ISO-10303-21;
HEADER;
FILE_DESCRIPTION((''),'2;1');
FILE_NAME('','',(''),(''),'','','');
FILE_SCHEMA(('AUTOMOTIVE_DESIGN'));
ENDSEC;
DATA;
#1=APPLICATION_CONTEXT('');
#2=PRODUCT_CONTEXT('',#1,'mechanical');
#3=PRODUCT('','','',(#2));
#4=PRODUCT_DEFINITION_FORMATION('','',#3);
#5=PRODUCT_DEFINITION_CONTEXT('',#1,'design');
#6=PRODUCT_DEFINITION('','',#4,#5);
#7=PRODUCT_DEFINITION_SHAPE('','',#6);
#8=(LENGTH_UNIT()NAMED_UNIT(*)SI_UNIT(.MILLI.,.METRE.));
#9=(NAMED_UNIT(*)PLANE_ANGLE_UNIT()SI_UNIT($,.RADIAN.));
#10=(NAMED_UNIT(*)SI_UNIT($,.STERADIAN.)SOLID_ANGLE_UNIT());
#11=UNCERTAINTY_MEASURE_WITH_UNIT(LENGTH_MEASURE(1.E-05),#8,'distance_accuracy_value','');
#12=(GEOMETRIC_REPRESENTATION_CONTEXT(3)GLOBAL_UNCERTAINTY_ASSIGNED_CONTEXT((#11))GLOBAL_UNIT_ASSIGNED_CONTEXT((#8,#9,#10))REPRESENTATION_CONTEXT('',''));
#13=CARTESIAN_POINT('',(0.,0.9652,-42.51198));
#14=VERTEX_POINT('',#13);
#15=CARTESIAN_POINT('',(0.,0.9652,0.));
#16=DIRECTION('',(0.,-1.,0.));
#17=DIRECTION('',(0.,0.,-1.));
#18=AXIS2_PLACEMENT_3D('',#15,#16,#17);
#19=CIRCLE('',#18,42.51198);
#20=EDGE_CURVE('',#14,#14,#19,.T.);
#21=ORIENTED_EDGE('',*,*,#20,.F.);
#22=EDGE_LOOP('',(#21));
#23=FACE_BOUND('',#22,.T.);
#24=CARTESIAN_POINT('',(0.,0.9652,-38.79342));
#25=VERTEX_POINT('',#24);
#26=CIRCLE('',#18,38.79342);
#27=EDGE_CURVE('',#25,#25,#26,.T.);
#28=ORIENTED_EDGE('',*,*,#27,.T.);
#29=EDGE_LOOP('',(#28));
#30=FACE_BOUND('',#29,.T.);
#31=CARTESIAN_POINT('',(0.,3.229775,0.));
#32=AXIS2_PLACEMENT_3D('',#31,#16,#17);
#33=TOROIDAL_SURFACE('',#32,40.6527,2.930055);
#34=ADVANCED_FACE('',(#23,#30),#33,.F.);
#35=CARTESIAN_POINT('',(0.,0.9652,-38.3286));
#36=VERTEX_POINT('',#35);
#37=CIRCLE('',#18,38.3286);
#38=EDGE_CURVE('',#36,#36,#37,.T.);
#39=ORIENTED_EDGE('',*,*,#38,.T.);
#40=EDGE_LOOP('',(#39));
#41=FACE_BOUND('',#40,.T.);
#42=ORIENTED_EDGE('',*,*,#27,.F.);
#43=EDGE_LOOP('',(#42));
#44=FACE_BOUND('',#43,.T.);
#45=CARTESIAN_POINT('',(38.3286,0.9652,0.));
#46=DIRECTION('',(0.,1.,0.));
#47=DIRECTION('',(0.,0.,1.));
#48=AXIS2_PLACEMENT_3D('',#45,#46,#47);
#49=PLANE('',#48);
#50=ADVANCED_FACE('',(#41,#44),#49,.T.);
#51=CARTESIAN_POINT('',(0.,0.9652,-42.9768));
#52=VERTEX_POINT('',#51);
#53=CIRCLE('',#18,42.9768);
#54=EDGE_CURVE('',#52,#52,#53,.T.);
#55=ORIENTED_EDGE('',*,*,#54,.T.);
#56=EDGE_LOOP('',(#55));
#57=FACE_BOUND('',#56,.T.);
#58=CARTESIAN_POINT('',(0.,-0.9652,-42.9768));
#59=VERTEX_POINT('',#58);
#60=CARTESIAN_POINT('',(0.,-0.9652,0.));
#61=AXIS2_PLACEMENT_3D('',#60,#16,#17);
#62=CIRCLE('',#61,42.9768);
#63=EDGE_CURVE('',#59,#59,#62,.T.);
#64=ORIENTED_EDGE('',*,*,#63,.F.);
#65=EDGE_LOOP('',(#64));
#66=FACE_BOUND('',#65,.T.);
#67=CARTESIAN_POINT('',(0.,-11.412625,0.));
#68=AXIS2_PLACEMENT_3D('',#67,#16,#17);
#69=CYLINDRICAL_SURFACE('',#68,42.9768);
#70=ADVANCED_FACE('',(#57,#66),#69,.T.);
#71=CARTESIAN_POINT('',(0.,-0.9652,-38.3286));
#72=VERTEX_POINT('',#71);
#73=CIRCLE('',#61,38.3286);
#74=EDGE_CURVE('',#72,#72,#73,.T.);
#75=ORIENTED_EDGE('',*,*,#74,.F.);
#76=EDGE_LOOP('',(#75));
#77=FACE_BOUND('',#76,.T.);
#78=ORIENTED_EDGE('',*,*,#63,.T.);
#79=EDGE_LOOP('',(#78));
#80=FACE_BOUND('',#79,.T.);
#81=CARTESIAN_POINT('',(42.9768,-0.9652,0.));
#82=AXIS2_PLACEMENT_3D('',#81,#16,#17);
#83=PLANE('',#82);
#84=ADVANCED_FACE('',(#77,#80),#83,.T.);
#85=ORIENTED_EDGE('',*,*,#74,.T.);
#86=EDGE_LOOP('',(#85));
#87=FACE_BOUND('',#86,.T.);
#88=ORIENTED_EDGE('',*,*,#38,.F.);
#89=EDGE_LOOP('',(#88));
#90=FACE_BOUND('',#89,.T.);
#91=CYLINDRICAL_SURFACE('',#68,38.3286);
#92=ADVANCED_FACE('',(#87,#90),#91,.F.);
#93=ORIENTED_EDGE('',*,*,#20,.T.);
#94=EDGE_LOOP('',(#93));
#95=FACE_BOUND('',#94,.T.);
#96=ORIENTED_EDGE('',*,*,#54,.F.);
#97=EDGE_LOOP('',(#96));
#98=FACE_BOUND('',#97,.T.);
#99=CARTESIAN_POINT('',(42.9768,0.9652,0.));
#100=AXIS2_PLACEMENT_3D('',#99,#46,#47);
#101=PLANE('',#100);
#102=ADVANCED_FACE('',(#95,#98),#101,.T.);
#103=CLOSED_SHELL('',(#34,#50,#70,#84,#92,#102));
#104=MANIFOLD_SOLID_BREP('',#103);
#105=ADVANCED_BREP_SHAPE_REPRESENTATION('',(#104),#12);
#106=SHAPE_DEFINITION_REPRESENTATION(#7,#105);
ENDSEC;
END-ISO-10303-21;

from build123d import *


with BuildPart() as part:
    # Sketch1 → Revolve2 (revolve)
    with BuildSketch(Plane.XY, mode=Mode.PRIVATE) as revolve2_sk:
        with BuildLine():
            Line((42.9768, -0.9652), (42.9768, 0.9652))
            Line((42.9768, 0.9652), (42.51198, 0.9652))
            ThreePointArc((42.51198, 0.9652), (40.6527, 0.29972), (38.79342, 0.9652))
            Line((38.79342, 0.9652), (38.3286, 0.9652))
            Line((38.3286, 0.9652), (38.3286, -0.9652))
            Line((38.3286, -0.9652), (42.9768, -0.9652))
        make_face()
    revolve(revolve2_sk.sketch.rotate(Axis((0, -11.412625366, 0), (0, 1, 0)), 90), axis=Axis((0, -11.412625366, 0), (0, 1, 0)))


solid = part.part
